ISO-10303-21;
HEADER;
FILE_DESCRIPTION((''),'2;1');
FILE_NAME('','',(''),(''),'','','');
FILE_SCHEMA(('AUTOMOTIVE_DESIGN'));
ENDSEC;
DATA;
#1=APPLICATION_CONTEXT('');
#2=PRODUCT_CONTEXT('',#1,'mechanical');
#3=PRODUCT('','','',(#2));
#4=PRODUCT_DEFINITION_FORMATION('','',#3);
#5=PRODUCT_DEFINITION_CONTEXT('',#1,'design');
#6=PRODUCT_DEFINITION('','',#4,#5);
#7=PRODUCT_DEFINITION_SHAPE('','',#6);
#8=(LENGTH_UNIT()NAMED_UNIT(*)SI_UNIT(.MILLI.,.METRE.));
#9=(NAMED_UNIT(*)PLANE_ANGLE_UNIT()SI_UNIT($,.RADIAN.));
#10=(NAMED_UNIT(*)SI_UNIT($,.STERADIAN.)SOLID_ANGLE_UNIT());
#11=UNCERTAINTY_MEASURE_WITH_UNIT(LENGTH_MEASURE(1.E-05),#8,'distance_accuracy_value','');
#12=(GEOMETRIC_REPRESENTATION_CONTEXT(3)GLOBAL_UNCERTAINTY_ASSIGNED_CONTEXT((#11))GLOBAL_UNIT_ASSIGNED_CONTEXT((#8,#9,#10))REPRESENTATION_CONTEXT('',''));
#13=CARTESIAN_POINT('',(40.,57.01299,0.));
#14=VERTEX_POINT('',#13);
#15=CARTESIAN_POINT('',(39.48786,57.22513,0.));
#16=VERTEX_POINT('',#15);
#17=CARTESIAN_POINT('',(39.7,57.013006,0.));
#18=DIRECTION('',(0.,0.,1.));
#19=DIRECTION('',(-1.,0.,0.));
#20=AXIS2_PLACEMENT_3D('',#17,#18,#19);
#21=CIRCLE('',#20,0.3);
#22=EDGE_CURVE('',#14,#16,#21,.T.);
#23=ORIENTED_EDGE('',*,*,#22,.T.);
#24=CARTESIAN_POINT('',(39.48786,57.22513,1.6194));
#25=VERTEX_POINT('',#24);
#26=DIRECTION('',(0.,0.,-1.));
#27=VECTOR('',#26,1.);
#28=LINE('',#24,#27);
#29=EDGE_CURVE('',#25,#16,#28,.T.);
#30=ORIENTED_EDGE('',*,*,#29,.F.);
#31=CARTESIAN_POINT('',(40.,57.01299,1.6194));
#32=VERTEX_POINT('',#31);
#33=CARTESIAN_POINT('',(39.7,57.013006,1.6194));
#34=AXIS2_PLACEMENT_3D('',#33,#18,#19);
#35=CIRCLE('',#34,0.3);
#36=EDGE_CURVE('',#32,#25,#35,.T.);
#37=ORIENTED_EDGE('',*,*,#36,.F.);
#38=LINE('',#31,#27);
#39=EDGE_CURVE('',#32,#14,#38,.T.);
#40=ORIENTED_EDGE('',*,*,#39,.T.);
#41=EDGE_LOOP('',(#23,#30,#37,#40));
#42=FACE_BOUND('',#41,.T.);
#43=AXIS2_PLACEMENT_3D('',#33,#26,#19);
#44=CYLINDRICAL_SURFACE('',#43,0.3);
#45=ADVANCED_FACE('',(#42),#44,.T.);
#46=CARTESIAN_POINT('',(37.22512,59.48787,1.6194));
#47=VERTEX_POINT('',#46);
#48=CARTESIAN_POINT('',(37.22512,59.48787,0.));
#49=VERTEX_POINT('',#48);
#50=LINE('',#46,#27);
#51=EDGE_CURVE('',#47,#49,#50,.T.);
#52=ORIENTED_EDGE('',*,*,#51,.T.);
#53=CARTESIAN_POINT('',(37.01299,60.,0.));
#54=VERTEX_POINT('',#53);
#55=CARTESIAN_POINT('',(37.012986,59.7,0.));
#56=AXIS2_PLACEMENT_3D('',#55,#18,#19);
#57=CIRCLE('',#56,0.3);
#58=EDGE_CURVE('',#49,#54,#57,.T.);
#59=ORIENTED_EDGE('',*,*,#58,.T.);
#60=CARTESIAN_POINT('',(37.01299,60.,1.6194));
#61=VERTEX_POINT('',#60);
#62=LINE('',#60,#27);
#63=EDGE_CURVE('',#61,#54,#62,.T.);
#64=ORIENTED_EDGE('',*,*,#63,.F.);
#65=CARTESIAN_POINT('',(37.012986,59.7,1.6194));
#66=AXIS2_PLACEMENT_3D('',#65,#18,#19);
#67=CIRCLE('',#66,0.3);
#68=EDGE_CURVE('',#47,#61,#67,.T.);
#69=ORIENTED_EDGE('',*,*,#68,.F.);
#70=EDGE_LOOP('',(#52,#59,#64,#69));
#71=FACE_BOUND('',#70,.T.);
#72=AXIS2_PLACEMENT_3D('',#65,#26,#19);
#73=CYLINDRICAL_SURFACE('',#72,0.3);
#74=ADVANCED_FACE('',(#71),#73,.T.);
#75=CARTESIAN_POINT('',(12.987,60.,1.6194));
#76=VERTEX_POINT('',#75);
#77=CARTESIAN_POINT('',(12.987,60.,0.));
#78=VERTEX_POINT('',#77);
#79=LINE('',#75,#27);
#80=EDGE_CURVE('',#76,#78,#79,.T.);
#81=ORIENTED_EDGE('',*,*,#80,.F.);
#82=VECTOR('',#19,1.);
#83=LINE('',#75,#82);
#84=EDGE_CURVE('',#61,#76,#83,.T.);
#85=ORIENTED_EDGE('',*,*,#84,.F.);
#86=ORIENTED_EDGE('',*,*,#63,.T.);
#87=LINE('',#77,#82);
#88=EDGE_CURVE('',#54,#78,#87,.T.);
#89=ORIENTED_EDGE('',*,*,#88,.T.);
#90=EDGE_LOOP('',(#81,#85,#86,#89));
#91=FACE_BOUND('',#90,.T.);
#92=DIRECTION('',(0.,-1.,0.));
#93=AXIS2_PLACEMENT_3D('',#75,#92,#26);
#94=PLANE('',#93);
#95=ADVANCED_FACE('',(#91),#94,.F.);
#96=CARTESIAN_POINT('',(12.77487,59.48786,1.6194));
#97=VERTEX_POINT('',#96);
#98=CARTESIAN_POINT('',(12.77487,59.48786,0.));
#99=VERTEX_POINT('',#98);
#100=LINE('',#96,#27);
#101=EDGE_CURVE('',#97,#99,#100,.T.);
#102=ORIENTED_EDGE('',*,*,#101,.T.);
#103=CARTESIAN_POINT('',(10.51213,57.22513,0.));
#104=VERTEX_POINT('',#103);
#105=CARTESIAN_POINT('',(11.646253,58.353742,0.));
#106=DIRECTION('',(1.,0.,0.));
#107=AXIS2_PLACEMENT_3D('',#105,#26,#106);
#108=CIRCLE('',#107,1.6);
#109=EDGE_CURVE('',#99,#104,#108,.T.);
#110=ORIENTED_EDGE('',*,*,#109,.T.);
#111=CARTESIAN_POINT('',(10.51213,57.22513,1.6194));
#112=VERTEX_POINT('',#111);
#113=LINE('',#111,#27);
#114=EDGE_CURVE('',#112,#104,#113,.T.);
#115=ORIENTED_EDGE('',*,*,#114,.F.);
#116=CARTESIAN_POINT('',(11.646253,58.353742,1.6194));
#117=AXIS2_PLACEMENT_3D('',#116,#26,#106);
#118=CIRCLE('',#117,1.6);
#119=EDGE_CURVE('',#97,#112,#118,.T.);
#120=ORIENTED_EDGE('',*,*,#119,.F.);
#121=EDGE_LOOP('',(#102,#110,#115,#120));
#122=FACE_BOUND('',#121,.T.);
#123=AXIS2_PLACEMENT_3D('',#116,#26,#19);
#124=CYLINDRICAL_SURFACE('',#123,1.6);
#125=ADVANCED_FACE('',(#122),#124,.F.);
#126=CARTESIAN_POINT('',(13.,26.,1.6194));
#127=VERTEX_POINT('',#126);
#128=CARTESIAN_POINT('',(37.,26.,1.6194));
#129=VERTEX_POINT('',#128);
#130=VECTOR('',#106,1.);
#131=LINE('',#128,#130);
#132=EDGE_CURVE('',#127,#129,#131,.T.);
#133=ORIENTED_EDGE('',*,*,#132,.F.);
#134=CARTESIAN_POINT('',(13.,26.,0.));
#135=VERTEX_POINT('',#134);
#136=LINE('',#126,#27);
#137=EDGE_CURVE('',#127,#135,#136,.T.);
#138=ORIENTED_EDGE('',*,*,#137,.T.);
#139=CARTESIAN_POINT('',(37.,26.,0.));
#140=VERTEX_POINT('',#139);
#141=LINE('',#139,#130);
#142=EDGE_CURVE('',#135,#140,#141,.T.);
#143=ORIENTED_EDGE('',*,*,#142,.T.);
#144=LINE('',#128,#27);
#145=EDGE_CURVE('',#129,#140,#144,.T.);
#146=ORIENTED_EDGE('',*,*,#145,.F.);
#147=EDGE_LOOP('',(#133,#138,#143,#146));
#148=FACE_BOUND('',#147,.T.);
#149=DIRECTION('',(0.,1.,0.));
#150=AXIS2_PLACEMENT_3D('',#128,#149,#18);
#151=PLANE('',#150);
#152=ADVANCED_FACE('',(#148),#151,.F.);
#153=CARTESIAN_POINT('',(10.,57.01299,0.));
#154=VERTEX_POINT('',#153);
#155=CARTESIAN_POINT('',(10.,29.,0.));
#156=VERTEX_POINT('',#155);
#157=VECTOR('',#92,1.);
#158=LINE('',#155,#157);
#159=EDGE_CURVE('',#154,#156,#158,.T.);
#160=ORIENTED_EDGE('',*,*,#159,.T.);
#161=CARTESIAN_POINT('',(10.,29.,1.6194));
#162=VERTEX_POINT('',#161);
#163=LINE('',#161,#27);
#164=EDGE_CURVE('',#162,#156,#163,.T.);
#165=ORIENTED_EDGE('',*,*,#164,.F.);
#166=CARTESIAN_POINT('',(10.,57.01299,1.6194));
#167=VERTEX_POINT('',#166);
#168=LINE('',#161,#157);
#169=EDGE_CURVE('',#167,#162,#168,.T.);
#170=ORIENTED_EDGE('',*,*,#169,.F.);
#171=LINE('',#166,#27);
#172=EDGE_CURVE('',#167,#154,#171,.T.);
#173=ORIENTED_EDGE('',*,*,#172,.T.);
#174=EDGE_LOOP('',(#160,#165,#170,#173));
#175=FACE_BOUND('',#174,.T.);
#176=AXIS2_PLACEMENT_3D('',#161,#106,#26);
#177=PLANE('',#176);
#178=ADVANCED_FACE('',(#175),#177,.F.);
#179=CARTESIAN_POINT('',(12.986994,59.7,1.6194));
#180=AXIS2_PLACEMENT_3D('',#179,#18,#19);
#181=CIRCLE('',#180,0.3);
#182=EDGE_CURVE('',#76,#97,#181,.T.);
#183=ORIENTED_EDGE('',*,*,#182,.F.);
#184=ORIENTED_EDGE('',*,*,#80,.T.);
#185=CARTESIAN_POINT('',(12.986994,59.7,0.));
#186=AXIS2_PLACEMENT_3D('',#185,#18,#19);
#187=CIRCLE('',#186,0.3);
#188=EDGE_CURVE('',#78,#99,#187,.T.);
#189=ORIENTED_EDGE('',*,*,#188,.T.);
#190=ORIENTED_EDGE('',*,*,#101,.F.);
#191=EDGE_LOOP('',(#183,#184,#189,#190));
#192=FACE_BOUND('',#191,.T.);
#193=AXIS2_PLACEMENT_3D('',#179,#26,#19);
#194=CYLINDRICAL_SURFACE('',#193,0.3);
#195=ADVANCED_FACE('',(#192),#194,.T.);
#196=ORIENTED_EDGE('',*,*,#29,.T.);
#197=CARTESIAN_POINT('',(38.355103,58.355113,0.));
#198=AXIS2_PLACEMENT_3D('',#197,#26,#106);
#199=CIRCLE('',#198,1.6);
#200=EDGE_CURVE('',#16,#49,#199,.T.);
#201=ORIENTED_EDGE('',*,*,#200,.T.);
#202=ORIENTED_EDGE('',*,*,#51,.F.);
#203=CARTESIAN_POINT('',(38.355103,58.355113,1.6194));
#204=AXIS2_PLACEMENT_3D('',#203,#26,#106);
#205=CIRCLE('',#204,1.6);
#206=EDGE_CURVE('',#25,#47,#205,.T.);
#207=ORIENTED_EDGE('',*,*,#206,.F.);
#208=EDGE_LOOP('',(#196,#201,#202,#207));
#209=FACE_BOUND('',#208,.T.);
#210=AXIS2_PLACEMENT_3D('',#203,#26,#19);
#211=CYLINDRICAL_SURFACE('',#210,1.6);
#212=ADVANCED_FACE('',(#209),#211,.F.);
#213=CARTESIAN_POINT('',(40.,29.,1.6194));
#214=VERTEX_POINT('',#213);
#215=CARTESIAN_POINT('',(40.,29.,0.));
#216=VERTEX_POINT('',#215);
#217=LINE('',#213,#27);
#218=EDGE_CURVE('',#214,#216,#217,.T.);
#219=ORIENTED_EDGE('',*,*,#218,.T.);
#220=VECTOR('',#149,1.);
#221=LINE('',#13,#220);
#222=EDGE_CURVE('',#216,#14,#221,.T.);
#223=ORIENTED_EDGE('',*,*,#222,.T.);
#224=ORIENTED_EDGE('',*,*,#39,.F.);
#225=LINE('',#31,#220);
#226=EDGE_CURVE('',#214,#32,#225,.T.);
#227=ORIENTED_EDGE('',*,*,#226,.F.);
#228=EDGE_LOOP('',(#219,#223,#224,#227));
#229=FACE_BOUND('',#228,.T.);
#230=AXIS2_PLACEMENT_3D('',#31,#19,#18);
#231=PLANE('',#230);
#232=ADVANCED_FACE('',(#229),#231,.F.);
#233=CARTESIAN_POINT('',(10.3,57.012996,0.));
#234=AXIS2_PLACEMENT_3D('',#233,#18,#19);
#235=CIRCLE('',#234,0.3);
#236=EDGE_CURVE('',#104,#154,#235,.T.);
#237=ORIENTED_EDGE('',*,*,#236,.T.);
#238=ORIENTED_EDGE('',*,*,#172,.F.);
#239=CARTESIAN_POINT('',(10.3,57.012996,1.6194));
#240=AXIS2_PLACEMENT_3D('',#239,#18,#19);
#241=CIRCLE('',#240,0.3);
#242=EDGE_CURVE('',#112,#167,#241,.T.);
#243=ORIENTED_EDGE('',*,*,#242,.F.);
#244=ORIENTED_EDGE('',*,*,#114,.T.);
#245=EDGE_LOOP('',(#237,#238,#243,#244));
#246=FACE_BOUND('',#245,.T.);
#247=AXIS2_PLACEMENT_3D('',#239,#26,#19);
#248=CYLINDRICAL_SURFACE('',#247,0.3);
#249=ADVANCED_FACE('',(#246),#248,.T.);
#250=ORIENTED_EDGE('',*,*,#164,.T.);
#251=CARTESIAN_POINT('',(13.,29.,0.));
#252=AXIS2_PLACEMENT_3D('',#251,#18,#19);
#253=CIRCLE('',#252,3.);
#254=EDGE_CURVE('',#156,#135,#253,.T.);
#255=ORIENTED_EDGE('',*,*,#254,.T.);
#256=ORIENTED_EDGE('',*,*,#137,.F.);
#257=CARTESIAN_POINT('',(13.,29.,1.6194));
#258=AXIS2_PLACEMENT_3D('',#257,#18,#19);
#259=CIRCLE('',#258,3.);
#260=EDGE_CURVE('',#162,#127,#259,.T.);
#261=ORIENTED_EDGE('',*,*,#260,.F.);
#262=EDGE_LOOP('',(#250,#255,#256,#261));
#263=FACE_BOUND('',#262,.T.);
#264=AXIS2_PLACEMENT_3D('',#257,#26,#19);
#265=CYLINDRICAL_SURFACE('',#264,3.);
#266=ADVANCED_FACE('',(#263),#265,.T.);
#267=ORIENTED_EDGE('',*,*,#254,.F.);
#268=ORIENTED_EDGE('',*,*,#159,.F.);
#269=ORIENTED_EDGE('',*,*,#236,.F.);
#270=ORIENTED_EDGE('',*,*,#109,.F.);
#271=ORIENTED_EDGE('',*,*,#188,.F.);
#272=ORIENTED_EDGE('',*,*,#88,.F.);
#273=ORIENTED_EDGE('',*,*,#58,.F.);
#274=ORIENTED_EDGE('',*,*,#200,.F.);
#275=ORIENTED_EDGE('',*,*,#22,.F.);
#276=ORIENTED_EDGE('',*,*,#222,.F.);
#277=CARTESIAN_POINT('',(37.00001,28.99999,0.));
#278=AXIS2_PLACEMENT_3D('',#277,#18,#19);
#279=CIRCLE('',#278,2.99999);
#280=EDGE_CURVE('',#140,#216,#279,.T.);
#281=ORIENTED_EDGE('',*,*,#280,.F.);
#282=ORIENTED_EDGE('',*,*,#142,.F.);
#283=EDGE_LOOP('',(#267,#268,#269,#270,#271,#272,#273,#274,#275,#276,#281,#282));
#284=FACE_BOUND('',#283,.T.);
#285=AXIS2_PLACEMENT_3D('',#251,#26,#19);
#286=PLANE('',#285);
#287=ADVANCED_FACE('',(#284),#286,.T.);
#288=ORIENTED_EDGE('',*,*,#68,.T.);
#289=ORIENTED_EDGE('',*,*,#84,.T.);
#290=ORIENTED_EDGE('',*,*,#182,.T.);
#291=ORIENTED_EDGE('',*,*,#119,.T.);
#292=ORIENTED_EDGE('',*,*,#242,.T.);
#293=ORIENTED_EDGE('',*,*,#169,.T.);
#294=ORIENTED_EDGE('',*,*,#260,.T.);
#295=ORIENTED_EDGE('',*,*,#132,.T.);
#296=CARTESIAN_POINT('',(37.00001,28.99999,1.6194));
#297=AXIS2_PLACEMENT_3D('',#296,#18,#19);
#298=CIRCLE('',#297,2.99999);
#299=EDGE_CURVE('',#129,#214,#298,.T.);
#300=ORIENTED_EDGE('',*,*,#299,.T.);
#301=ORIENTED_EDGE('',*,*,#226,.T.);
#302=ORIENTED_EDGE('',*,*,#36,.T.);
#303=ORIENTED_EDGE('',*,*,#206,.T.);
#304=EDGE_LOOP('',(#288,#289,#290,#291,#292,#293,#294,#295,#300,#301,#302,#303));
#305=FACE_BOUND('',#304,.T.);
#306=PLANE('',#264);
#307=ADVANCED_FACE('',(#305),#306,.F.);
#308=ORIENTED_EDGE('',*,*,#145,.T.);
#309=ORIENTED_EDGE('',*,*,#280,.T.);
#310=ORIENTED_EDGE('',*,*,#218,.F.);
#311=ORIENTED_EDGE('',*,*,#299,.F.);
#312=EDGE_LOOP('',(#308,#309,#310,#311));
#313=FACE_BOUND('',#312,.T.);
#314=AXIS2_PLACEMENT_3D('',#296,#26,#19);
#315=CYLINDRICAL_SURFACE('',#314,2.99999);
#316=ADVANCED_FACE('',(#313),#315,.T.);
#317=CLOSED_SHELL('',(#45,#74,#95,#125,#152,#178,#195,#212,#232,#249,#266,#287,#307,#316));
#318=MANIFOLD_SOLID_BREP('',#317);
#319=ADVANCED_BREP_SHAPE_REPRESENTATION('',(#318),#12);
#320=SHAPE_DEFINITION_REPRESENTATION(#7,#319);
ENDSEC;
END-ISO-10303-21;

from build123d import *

# Parameters (mm, degrees)
BOARD_DEPTH = 1.6194


with BuildPart() as part:
    # Sketch1 → Board (new body)
    with BuildSketch(Plane.XY):
        with BuildLine():
            Line((10, 29), (10, 57.01299))
            ThreePointArc((10, 57.01299), (10.185190901, 57.290158106), (10.51213, 57.22513))
            ThreePointArc((10.51213, 57.22513), (12.777621512, 57.222368475), (12.77487, 59.48786))
            ThreePointArc((12.77487, 59.48786), (12.709829188, 59.814802566), (12.987, 60))
            Line((12.987, 60), (37.01299, 60))
            ThreePointArc((37.01299, 60), (37.290150019, 59.814804479), (37.22512, 59.48787))
            ThreePointArc((37.22512, 59.48787), (37.223732391, 57.223742391), (39.48786, 57.22513))
            ThreePointArc((39.48786, 57.22513), (39.814807186, 57.290168899), (40, 57.01299))
            Line((40, 57.01299), (40, 29))
            ThreePointArc((40, 29), (39.121323273, 26.878676727), (37, 26))
            Line((37, 26), (13, 26))
            ThreePointArc((13, 26), (10.878679656, 26.878679656), (10, 29))
        make_face()
    extrude(amount=BOARD_DEPTH)


solid = part.part
